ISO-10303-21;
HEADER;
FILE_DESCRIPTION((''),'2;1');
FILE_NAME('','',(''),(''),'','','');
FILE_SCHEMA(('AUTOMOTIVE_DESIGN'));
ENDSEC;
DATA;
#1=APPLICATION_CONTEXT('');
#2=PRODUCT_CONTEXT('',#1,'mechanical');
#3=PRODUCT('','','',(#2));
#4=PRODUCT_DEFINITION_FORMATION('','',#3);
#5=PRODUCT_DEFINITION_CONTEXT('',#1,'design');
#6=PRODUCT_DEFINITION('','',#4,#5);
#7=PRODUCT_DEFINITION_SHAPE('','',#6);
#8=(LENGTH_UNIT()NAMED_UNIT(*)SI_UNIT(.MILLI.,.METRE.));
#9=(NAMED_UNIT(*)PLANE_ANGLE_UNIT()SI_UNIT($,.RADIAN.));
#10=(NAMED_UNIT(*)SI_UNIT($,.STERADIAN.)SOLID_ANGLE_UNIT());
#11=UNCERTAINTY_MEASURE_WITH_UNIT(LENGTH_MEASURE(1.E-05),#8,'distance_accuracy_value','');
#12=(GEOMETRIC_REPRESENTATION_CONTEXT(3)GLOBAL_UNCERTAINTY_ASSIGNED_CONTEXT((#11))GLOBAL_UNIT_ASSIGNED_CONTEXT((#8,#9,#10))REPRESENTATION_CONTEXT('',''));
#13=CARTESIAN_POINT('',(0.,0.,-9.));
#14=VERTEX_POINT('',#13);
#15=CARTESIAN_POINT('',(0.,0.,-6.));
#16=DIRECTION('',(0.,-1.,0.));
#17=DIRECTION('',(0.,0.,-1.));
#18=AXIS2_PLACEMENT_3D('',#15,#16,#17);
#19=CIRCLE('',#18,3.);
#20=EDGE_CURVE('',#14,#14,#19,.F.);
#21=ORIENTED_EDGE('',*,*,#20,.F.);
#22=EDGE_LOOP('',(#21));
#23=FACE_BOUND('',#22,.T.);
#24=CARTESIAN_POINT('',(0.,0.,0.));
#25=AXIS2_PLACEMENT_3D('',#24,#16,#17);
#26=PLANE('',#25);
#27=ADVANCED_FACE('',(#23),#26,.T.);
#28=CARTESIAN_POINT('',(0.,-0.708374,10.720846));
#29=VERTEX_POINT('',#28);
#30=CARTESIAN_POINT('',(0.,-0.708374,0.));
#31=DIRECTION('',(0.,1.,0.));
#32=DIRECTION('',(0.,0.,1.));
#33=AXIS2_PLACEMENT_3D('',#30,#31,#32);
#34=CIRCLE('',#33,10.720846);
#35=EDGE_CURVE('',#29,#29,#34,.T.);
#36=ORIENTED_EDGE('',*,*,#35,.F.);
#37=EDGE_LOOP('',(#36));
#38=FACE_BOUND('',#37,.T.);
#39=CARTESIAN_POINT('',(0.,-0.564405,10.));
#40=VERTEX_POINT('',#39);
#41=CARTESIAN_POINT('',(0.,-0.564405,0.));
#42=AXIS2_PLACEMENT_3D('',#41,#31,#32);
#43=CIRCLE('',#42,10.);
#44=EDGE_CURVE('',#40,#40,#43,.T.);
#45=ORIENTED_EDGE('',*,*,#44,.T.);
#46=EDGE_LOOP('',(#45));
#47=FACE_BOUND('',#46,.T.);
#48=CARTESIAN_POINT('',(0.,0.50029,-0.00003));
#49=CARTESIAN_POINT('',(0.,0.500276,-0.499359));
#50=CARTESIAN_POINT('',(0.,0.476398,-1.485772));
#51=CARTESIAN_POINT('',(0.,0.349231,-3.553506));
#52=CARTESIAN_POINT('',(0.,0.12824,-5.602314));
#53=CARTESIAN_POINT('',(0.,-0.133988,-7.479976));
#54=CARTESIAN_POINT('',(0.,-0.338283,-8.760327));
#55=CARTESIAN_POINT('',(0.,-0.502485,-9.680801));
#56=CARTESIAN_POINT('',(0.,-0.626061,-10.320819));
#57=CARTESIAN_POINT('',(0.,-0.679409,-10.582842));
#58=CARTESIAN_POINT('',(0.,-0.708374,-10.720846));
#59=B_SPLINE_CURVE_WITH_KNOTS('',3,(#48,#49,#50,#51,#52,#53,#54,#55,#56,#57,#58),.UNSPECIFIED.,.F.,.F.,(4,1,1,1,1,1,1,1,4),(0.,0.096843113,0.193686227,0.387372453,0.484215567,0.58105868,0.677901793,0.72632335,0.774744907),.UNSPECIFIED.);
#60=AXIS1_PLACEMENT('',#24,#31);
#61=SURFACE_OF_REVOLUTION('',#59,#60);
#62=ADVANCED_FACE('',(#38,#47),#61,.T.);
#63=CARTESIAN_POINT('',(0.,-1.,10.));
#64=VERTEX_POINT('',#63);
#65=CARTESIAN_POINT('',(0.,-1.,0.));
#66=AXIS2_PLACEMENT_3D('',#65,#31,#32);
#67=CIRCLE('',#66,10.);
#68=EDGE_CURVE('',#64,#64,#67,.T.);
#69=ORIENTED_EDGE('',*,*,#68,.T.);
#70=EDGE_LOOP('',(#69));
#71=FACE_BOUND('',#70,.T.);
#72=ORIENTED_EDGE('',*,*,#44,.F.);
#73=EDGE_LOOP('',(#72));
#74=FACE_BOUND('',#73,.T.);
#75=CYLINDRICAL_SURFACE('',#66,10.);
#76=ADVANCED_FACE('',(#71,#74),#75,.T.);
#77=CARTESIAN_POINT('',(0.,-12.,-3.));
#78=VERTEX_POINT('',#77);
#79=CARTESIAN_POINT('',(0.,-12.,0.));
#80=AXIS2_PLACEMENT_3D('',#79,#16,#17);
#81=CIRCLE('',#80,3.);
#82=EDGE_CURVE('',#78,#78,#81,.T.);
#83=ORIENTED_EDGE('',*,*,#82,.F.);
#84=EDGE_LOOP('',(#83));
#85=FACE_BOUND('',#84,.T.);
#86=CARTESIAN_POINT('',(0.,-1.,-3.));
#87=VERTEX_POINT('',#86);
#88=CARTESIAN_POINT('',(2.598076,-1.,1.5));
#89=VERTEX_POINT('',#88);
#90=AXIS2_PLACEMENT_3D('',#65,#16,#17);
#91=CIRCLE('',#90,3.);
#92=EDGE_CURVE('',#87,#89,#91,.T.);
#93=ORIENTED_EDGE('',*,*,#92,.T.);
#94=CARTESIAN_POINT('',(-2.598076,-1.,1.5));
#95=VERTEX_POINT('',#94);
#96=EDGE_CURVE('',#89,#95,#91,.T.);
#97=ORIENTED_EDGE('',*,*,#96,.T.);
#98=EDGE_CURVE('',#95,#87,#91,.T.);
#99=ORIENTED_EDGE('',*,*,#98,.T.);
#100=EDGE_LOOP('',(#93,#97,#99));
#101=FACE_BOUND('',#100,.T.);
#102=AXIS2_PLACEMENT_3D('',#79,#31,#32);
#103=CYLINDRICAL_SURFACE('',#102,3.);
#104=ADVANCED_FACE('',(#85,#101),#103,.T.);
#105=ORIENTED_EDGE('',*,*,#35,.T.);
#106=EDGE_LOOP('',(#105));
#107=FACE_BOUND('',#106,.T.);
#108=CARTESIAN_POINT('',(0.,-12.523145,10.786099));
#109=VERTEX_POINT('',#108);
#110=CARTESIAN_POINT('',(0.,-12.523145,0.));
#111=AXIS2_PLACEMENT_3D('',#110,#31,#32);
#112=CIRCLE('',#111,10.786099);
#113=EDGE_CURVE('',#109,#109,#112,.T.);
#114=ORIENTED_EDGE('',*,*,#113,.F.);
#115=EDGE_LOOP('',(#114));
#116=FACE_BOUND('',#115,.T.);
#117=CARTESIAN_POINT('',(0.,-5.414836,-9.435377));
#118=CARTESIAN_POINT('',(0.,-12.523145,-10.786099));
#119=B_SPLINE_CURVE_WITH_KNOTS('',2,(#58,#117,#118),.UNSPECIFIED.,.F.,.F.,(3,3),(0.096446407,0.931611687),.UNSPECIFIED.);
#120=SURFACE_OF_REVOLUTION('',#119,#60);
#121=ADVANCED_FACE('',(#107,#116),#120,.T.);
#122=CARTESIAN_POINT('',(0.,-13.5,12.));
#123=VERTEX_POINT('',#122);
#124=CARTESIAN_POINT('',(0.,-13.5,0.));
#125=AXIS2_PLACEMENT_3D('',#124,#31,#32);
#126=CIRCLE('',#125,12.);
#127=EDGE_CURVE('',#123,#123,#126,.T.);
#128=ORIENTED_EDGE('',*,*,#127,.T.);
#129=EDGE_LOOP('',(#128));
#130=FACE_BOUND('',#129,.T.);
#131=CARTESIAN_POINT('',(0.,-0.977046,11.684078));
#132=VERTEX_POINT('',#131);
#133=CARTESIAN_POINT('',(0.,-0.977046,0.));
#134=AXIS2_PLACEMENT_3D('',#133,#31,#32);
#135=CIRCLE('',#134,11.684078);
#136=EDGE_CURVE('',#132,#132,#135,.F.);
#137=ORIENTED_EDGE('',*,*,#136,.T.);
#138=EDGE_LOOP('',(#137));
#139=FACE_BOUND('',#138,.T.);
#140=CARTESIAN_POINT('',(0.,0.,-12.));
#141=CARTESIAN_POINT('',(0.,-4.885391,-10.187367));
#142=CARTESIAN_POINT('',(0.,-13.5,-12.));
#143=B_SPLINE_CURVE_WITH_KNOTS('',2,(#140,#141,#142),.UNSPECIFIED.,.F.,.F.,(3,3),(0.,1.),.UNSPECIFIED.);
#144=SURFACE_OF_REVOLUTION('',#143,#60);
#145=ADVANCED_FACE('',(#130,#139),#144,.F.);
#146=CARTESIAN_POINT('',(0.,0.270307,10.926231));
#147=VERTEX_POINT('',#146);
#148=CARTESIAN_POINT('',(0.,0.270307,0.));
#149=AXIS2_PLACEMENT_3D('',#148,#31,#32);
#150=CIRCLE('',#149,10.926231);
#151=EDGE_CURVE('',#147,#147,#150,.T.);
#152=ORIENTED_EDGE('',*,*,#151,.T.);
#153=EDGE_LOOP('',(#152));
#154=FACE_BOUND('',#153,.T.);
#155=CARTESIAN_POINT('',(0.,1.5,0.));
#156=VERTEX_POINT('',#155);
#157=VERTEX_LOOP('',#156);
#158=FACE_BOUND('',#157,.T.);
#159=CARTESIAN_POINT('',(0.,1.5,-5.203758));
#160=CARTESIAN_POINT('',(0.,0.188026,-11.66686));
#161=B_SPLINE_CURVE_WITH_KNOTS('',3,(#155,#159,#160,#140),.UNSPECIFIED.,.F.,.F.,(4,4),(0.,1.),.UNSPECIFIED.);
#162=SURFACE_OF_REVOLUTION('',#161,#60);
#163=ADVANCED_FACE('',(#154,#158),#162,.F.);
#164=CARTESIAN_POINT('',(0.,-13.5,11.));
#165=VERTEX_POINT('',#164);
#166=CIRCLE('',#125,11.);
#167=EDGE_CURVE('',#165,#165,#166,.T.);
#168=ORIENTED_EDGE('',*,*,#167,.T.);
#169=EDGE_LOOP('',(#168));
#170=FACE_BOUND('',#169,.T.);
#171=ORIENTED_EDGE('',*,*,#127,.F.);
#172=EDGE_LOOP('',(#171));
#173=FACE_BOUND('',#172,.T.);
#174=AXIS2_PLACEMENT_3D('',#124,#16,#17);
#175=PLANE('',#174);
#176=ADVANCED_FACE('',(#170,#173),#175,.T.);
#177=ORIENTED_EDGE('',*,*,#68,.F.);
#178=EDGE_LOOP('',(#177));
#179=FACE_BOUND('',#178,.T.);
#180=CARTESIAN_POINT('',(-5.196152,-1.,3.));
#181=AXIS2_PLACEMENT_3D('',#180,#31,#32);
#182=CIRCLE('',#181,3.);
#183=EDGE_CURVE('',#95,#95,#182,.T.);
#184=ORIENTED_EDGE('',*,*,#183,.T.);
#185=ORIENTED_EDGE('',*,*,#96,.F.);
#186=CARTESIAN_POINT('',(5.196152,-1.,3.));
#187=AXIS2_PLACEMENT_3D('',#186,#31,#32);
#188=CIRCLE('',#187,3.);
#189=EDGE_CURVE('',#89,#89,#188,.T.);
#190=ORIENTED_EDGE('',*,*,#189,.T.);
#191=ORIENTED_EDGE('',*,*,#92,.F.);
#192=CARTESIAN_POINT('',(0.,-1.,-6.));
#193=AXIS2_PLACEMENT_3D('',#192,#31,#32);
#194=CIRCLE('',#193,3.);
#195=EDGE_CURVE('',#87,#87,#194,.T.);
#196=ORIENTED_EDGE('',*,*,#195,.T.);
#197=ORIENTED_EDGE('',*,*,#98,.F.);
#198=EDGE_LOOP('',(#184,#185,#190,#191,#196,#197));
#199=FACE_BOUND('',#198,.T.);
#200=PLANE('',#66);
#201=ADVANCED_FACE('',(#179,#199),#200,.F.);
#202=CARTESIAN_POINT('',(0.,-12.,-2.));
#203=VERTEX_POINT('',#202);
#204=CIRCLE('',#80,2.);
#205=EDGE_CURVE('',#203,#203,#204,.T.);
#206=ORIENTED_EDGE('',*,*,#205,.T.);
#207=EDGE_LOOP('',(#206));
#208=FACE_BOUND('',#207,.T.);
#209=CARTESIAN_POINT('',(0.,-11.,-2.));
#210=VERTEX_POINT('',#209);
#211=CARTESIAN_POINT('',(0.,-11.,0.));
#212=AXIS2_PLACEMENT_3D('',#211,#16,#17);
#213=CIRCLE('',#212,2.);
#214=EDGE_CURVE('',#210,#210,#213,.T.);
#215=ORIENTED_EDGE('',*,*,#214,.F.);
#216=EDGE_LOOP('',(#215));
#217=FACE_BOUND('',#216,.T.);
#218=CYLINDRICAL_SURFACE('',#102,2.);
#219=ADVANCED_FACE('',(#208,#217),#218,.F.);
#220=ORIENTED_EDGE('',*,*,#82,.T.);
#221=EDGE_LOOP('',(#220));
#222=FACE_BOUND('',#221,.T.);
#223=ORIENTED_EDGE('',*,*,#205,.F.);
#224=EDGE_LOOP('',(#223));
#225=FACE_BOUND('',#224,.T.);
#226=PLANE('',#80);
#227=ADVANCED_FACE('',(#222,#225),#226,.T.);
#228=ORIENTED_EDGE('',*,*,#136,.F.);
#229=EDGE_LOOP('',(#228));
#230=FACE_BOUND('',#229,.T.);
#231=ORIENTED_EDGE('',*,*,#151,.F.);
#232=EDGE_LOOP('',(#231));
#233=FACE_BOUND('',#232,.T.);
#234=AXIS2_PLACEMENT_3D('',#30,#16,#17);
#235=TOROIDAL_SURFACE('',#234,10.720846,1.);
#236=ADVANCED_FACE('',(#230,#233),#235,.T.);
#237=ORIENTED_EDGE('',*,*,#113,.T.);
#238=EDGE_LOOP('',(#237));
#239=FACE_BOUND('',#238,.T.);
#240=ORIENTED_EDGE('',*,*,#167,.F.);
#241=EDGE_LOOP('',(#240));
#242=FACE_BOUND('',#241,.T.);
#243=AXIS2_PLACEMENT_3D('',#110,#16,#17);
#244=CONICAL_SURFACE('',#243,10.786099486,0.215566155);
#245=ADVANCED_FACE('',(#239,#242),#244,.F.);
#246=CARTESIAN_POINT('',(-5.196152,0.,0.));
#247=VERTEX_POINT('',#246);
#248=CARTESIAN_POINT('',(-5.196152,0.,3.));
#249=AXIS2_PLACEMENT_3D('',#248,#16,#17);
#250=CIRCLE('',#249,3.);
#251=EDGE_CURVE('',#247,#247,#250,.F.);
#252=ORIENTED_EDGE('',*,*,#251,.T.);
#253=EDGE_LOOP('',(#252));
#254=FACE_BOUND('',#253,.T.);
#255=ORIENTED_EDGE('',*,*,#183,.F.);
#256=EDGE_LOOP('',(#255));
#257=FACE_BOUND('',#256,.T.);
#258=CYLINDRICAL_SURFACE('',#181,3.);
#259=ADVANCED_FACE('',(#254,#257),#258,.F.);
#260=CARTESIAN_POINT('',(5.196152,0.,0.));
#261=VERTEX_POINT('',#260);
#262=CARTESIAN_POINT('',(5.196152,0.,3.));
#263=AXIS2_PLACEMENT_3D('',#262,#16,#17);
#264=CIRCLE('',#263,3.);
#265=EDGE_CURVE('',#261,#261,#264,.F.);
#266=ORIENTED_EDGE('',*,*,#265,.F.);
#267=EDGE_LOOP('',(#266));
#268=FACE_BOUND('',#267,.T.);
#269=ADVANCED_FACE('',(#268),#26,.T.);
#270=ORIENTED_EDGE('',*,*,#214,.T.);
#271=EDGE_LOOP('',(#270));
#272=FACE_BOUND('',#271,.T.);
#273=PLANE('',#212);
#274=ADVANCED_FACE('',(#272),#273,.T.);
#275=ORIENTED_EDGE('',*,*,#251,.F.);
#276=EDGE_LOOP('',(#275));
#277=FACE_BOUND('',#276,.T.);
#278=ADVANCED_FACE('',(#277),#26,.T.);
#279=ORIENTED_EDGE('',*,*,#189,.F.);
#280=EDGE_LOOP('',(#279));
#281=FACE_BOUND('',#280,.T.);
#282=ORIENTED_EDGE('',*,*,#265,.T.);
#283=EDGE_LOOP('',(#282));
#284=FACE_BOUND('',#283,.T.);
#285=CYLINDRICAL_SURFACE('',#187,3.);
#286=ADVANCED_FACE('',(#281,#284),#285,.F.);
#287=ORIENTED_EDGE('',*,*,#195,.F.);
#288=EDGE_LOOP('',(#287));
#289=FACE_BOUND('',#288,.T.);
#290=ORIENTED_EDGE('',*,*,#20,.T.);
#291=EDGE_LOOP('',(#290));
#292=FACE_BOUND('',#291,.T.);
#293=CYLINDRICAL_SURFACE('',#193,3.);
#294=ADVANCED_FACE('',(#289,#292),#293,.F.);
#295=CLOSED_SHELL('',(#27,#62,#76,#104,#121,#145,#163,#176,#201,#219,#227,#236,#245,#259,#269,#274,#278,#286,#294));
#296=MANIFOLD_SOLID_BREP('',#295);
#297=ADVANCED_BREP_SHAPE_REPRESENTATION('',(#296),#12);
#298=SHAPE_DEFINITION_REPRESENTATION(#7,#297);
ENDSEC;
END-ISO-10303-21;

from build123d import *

# Parameters (mm, degrees)
SKETCH1_R           = 10
SKETCH1_R_2         = 3
BOSS_EXTRUDE1_DEPTH = 1
FILLET1_R           = 1
SKETCH4_R           = 3
SKETCH4_R_2         = 2
BOSS_EXTRUDE2_DEPTH = 11
SKETCH4_3_R         = 2
BOSS_EXTRUDE3_DEPTH = 10


with BuildPart() as part:
    # Sketch1 → Boss-Extrude1 (new body)
    with BuildSketch(Plane(origin=(0, 0, 0), x_dir=(1, 0, 0), z_dir=(0, 1, 0))):
        with Locations(Location((0, 0, 0), (0, 0, 270))):
            Circle(SKETCH1_R)
        with Locations(Location((-5.196152423, -3, 0), (0, 0, 270))):
            Circle(SKETCH1_R_2, mode=Mode.SUBTRACT)
        with Locations(Location((0, 6, 0), (0, 0, 270))):
            Circle(SKETCH1_R_2, mode=Mode.SUBTRACT)
        with Locations(Location((5.196152423, -3, 0), (0, 0, 270))):
            Circle(SKETCH1_R_2, mode=Mode.SUBTRACT)
    extrude(amount=-BOSS_EXTRUDE1_DEPTH)

    # Sketch3 → Revolve1 (revolve)
    with BuildSketch(Plane(origin=(0, 0, 0), x_dir=(0, 0, -1), z_dir=(1, 0, 0)), mode=Mode.PRIVATE) as revolve1_sk:
        with BuildLine():
            add(Edge.make_bspline(
                [(9.999996275, -0.564424697), (10.107211142, -0.584912977), (10.365055698, -0.635077572), (10.582841287, -0.679412651), (10.72084613, -0.70837418)],
                knots=[0.694252252, 0.694252252, 0.694252252, 0.694252252, 0.72632335, 0.774744907, 0.774744907, 0.774744907, 0.774744907], degree=3))
            add(Edge.make_bspline(
                [(10.72084613, -0.70837418), (9.43537713, -5.414836401), (10.786099486, -12.52314455)],
                knots=[0.096446407, 0.096446407, 0.096446407, 0.931611687, 0.931611687, 0.931611687], degree=2))
            Line((10.786099486, -12.52314455), (11, -13.5))
            Line((11, -13.5), (12, -13.5))
            add(Edge.make_bspline(
                [(12, 0), (10.187367032, -4.885390543), (12, -13.5)],
                knots=[0, 0, 0, 1, 1, 1], degree=2))
            add(Edge.make_bspline(
                [(0, 1.5), (5.203758478, 1.5), (11.666860381, 0.188025837), (12, 0)],
                knots=[0, 0, 0, 0, 1, 1, 1, 1], degree=3))
            Line((0, 1.5), (0, 0))
            Line((0, 0), (10, 0))
            Line((10, 0), (9.999996275, -0.564424697))
        make_face()
    revolve(revolve1_sk.sketch.rotate(Axis((0, 0, 0), (0, -1, 0)), 180), axis=Axis((0, 0, 0), (0, -1, 0)))

    # Fillet1
    fillet1_edges = [part.edges().sort_by_distance(p)[0] for p in [
        (0, 0, -12),
    ]]
    fillet(fillet1_edges, radius=FILLET1_R)

    # Sketch4 → Boss-Extrude2 (add)
    with BuildSketch(Plane.XZ.offset(1)):
        with Locations(Location((0, 0, 0), (0, 0, 270))):
            Circle(SKETCH4_R)
        with Locations(Location((0, 0, 0), (0, 0, 270))):
            Circle(SKETCH4_R_2, mode=Mode.SUBTRACT)
    extrude(amount=BOSS_EXTRUDE2_DEPTH)

    # Sketch4<3> → Boss-Extrude3 (add)
    with BuildSketch(Plane.XZ.offset(1)):
        with Locations(Location((0, 0, 0), (0, 0, 270))):
            Circle(SKETCH4_3_R)
    extrude(amount=BOSS_EXTRUDE3_DEPTH)


solid = part.part
